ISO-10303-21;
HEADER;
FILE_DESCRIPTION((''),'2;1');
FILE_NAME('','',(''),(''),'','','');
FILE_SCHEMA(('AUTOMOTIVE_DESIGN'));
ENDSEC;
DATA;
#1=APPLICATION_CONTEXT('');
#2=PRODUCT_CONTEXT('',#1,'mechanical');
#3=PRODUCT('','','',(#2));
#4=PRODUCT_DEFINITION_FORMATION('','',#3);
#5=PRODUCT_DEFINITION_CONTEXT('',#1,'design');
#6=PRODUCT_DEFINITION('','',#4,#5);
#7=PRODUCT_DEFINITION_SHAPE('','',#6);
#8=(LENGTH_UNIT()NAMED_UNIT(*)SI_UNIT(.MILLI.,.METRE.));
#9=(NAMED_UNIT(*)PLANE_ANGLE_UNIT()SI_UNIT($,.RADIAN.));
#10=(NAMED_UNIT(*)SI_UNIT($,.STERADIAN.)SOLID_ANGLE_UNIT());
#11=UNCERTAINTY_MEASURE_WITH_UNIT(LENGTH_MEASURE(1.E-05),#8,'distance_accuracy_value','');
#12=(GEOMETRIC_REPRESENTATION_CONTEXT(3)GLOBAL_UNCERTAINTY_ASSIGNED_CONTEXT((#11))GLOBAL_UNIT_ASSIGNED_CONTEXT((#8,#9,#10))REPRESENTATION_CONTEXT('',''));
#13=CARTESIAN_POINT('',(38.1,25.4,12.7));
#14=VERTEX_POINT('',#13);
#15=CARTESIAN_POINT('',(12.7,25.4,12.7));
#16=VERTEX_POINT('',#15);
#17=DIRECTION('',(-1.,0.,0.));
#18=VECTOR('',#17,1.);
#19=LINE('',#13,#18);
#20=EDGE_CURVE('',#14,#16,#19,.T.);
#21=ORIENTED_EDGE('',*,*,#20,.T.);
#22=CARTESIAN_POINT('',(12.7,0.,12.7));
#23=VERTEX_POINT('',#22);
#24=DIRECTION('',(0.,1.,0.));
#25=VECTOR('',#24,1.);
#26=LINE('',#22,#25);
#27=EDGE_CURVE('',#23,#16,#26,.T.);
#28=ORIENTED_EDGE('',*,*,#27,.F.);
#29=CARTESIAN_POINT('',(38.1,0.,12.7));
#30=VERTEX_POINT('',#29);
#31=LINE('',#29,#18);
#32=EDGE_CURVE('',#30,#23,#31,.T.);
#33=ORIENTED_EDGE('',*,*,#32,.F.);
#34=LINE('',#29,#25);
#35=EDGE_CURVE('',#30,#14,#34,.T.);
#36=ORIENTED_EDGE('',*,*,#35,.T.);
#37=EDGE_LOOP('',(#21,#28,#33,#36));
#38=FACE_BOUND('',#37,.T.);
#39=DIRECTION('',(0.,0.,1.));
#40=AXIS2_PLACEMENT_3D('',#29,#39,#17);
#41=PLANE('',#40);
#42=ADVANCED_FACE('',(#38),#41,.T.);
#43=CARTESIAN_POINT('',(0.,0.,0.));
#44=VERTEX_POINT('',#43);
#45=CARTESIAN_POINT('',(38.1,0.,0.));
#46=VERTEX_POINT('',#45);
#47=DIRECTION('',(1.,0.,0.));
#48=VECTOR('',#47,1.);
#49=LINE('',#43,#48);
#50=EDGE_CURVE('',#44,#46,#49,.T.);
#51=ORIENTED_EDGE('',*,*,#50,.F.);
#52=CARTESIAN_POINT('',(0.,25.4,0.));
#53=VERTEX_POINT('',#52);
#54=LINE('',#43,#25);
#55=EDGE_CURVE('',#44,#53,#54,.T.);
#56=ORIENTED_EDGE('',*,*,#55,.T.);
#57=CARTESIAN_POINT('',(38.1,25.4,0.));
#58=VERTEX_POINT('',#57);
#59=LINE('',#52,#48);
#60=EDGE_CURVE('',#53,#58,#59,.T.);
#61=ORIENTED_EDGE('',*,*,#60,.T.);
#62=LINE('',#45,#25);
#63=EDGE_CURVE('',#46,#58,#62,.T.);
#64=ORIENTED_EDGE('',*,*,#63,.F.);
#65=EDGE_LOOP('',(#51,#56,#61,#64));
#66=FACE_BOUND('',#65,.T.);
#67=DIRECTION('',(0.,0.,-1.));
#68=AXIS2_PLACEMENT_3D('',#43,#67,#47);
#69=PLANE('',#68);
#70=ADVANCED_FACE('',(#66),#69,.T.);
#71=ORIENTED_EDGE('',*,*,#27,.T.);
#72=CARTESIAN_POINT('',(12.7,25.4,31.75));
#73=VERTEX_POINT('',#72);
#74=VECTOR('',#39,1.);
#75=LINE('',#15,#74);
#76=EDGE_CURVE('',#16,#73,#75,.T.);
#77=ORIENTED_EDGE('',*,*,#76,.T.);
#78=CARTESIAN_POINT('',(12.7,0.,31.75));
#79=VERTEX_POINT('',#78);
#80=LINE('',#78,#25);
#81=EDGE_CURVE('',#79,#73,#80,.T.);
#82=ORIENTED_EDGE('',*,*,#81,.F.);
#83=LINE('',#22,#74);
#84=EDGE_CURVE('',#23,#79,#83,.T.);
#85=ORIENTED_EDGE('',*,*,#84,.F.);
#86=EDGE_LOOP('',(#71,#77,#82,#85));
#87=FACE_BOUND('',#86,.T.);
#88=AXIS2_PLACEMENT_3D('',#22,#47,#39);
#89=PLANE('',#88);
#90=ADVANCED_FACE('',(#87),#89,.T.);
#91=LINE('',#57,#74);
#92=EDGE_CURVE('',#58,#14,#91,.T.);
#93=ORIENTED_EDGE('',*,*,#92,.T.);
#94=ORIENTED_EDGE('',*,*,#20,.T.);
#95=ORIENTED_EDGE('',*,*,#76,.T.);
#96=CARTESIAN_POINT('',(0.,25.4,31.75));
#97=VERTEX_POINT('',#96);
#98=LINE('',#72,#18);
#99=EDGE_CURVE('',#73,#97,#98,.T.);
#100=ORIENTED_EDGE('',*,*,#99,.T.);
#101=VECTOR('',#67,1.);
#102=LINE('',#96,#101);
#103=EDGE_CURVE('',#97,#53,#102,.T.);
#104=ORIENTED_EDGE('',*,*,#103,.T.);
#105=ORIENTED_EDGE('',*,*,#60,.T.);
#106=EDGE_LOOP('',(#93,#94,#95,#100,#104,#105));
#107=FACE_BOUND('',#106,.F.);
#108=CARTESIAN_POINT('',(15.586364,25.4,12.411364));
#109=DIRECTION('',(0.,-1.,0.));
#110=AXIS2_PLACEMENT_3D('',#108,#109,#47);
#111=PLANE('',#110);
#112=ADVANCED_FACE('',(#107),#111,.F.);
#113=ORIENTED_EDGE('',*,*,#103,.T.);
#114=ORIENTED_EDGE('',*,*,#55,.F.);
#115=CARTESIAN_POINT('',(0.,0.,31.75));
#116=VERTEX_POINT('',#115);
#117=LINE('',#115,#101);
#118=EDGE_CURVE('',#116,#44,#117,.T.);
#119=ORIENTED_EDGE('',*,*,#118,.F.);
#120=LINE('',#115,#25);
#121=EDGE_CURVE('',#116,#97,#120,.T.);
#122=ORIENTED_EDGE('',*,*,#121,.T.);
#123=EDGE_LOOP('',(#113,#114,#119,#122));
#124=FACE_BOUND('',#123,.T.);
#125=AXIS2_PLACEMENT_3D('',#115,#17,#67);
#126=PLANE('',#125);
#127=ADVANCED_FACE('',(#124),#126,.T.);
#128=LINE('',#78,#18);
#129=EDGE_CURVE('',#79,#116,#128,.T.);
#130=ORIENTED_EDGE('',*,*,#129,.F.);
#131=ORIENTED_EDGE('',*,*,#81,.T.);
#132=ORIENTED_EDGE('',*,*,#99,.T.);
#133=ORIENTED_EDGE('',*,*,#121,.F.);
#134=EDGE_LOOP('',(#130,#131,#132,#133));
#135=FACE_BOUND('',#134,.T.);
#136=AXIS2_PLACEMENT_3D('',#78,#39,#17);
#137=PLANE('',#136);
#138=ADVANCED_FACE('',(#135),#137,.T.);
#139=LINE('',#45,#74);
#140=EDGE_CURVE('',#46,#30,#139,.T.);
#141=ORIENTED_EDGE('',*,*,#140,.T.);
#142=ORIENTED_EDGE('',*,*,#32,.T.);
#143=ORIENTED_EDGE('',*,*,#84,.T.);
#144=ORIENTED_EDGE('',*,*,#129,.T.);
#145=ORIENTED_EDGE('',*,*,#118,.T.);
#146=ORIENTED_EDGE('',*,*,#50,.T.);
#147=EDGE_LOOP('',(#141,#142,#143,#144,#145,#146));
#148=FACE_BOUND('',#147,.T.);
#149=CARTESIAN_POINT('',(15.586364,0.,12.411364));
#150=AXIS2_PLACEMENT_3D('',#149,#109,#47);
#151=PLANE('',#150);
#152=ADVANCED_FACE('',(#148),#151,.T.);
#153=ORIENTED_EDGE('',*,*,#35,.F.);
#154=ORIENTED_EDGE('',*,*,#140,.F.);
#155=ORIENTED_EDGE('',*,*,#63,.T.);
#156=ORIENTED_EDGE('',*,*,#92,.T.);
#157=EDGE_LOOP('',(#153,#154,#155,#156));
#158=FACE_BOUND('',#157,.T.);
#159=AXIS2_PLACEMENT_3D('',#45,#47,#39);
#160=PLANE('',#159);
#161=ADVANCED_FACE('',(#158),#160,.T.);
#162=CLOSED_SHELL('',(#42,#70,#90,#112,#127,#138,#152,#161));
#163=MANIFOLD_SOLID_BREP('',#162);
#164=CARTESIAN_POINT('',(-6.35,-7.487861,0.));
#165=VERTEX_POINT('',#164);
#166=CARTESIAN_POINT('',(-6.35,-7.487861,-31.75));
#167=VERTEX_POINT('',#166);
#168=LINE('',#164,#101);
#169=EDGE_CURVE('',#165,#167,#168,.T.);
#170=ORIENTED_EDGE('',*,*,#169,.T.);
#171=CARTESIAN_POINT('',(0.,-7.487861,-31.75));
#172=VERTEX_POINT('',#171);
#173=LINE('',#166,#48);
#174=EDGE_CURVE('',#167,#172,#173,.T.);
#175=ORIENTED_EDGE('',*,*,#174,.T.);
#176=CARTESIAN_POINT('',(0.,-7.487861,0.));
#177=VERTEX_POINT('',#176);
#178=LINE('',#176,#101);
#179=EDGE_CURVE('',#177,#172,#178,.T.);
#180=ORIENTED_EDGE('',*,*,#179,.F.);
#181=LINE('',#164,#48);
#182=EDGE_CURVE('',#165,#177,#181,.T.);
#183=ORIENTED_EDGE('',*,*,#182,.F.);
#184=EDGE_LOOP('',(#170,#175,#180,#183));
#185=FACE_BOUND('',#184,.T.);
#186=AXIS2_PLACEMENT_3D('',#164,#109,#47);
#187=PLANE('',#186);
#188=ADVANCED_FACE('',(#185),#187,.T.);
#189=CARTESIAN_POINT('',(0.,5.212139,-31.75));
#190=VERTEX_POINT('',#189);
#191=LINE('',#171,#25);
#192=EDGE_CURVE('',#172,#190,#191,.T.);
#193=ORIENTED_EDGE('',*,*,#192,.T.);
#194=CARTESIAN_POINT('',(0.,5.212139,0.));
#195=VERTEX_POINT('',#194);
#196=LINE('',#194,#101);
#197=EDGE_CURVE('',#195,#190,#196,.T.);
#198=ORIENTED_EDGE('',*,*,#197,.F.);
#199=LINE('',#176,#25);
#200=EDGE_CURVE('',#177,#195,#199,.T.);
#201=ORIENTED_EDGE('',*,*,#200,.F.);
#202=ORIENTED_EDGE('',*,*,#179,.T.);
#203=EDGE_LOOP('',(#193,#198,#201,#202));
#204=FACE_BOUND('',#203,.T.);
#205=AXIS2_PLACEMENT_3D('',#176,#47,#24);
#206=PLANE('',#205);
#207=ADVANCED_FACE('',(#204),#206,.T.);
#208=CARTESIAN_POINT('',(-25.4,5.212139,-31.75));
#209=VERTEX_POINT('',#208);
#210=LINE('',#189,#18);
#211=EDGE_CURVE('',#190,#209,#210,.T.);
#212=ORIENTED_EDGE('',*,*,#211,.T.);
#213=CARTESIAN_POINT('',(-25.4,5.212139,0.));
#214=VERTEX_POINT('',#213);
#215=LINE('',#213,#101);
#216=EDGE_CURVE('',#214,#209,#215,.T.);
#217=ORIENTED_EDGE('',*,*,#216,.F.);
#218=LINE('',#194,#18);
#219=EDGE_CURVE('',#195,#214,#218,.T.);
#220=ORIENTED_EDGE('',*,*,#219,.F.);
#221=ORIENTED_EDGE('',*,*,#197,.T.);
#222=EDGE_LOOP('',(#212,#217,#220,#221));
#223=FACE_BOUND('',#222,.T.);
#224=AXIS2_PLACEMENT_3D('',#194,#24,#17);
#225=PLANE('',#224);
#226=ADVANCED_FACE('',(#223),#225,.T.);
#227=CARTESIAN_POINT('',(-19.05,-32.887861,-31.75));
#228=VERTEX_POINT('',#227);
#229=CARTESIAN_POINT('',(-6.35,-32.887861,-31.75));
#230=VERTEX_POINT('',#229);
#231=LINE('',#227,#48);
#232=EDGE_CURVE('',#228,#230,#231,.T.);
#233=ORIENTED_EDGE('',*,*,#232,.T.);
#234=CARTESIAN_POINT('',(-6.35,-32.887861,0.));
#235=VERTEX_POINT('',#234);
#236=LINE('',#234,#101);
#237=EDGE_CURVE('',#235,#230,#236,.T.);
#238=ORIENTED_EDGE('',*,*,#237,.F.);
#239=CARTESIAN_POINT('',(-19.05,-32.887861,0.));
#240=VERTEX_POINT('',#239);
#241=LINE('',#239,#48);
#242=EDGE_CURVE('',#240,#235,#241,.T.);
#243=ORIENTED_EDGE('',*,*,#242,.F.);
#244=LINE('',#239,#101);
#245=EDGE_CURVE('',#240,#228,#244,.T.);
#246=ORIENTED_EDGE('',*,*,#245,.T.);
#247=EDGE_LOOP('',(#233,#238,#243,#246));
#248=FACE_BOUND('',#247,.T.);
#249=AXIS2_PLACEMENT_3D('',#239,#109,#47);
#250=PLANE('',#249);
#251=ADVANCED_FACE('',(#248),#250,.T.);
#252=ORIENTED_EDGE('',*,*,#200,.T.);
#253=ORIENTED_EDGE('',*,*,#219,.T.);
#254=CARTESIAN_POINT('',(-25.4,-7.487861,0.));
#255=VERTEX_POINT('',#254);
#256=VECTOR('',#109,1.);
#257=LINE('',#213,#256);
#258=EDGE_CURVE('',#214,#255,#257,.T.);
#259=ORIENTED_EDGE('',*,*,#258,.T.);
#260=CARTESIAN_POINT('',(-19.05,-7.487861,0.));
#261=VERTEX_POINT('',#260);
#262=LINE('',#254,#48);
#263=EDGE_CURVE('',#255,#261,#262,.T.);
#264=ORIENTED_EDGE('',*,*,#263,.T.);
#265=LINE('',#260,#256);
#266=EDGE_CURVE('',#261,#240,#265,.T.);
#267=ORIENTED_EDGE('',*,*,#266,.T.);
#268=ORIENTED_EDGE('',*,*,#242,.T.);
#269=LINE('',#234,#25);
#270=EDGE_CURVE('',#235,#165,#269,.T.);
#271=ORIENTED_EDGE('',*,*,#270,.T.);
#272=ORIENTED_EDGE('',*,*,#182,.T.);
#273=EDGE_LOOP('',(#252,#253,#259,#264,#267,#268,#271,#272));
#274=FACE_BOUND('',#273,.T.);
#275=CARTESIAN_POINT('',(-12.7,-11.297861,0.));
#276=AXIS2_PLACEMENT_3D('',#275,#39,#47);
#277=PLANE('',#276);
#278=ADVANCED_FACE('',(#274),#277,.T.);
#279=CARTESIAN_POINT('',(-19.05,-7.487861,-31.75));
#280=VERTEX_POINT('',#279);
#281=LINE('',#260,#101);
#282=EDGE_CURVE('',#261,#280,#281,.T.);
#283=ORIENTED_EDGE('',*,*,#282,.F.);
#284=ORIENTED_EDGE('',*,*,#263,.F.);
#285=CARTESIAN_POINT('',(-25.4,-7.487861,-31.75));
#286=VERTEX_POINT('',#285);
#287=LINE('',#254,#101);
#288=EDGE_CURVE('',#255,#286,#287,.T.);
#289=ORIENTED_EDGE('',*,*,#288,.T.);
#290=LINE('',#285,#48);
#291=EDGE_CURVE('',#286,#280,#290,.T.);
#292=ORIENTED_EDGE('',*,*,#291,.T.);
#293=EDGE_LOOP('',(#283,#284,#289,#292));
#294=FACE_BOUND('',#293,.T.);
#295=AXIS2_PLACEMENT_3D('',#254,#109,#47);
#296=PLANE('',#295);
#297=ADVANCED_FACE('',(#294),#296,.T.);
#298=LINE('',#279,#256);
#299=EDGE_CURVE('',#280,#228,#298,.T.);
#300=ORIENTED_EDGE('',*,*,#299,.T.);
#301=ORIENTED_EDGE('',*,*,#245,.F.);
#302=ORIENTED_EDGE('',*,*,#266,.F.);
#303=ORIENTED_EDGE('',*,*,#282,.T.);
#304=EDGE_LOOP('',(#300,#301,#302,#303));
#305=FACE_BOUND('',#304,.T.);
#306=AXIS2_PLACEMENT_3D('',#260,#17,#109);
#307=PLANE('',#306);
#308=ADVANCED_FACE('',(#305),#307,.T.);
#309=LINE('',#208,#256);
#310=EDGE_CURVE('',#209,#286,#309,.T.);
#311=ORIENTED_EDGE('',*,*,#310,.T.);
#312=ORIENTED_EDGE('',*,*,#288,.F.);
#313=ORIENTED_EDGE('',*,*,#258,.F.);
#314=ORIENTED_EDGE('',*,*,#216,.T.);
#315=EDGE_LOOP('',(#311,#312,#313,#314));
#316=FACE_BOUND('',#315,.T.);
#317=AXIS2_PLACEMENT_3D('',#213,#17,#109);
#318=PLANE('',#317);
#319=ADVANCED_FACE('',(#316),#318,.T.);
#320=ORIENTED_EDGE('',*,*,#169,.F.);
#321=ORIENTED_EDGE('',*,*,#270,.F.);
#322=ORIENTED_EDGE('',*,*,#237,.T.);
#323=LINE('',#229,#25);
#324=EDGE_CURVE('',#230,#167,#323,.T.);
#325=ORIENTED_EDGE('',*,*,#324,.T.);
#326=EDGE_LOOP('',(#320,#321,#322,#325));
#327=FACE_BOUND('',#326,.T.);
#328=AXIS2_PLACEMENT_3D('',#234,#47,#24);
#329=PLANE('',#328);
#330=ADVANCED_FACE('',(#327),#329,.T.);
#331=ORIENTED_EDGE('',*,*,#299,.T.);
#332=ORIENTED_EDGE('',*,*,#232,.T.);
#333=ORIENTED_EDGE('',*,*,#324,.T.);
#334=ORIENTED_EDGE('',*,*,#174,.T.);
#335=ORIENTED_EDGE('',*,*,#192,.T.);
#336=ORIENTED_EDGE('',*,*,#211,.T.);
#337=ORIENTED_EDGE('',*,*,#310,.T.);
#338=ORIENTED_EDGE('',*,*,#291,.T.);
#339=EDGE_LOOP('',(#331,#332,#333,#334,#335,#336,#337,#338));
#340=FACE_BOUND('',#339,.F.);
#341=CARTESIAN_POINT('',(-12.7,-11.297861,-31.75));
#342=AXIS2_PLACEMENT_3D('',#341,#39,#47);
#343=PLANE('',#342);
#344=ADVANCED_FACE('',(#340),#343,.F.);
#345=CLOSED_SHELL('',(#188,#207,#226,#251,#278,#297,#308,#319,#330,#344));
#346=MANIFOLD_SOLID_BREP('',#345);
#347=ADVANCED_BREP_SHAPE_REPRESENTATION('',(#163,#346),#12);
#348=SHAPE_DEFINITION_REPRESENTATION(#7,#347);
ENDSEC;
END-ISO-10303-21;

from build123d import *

# Parameters (mm, degrees)
F1_DEPTH = 25.4
F3_DEPTH = 31.75


with BuildPart() as f1:
    # F0 (on Front) → F1 (new body)
    with BuildSketch(Plane.XZ):
        Polygon((0, 31.75), (0, 0), (38.1, 0), (38.1, 12.7), (12.7, 12.7), (12.7, 31.75), align=None)
    extrude(amount=-F1_DEPTH)


with BuildPart() as f3:
    # F2 (on Top) → F3 (new body)
    with BuildSketch(Plane.XY):
        Polygon((0, -7.487861), (0, 5.212139), (-25.4, 5.212139), (-25.4, -7.487861), (-19.05, -7.487861), (-19.05, -32.887861), (-6.35, -32.887861), (-6.35, -7.487861), align=None)
    extrude(amount=-F3_DEPTH)


solid = Compound([f1.part, f3.part])
